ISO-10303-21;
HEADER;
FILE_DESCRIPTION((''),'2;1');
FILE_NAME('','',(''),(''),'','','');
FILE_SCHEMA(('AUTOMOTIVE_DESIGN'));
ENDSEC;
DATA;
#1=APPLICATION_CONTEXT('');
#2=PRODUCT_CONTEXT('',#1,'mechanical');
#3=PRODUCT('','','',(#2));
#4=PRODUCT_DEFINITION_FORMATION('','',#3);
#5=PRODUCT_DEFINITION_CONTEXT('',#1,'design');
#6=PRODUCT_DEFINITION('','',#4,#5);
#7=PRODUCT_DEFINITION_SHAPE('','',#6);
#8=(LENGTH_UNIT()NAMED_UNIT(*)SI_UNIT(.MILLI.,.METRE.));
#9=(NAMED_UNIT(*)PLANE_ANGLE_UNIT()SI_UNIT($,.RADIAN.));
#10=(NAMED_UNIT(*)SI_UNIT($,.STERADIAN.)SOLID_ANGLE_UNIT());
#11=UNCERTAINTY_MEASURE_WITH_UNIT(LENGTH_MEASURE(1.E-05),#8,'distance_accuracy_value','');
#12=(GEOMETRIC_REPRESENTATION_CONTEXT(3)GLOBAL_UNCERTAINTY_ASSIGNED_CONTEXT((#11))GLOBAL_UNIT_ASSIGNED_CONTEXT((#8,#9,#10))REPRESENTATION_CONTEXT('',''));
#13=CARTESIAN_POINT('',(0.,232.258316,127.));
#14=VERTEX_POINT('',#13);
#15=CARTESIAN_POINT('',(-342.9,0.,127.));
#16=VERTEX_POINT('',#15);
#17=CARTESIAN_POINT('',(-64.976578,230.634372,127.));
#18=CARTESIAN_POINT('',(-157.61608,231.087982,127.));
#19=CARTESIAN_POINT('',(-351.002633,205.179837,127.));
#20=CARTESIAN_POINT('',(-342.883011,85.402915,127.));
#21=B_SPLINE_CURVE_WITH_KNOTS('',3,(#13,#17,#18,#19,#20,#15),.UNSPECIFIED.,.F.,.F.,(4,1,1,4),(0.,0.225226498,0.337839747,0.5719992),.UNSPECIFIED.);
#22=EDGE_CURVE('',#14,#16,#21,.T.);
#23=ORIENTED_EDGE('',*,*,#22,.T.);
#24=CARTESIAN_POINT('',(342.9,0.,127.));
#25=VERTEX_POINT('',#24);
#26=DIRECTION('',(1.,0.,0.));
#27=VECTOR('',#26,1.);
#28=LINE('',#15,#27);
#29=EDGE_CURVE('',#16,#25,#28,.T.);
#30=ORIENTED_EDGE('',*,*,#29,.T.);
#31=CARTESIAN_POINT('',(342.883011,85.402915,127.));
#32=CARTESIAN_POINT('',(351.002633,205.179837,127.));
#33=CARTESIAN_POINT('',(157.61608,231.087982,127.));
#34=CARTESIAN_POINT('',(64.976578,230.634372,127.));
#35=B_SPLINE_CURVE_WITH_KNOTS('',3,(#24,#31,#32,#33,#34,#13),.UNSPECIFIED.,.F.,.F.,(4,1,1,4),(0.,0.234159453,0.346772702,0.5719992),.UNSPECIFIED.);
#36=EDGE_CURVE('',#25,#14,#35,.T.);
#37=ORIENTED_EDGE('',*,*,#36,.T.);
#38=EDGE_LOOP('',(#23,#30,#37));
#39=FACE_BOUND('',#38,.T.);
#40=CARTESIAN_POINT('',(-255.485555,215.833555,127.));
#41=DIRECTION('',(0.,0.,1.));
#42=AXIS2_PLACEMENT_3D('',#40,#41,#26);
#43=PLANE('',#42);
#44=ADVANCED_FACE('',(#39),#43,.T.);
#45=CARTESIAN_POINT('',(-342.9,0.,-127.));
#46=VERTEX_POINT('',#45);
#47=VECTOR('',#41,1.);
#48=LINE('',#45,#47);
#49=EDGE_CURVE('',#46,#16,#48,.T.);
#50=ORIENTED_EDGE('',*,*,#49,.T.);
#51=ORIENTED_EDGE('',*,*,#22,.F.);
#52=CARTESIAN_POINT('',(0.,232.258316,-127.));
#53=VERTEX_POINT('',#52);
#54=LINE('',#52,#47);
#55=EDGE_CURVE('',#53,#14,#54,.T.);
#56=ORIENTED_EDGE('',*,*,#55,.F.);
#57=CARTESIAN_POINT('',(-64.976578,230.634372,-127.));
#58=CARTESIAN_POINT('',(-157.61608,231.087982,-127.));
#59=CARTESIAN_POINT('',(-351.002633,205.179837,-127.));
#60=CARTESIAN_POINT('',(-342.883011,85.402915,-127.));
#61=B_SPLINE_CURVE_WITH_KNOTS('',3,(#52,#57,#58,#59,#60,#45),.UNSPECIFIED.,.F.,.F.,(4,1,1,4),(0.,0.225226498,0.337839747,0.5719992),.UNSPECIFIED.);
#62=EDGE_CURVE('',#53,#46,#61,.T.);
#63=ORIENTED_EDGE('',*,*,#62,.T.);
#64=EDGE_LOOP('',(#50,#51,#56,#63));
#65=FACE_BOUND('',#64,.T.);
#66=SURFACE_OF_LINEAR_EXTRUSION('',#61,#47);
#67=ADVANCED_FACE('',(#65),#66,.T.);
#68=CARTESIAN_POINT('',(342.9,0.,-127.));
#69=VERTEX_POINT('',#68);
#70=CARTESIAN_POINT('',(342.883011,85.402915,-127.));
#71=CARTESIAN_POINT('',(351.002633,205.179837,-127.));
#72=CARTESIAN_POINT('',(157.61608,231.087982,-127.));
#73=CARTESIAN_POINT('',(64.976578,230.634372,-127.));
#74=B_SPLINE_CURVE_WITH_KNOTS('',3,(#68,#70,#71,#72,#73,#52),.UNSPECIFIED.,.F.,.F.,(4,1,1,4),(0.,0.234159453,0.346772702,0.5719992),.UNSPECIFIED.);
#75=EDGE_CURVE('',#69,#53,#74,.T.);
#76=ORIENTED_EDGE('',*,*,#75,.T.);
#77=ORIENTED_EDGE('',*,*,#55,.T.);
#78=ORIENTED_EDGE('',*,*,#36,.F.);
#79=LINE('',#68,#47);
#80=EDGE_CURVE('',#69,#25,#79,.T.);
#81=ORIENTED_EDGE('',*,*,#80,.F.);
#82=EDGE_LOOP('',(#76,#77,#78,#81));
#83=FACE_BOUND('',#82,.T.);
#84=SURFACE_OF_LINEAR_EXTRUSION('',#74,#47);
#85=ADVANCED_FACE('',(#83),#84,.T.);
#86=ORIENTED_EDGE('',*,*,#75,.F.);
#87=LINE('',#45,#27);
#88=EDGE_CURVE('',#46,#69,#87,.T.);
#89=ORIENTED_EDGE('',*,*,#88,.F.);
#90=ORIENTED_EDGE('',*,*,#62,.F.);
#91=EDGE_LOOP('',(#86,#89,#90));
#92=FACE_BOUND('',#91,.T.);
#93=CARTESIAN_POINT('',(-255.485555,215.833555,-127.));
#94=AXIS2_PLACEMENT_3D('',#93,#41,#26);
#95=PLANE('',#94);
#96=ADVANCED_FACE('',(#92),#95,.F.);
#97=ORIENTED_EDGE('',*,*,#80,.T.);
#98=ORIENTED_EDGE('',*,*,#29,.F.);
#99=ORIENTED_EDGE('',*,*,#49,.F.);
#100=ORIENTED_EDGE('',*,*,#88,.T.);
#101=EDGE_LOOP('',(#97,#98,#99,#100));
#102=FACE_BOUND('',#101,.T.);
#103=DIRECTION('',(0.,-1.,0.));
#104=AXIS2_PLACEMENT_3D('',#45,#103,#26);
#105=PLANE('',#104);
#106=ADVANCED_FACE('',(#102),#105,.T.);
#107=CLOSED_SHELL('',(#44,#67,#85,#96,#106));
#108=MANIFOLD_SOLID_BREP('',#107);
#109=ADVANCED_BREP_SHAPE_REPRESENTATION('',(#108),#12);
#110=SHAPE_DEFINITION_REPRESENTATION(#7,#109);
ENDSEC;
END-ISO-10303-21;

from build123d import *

# Parameters (mm, degrees)
BOSS_EXTRUDE1_DEPTH      = 127
BOSS_EXTRUDE1_DEPTH_BACK = 127


with BuildPart() as part:
    # Sketch1 → Boss-Extrude1 (new, two sides: drawn at the far end of the back side and taken through both)
    with BuildSketch(Plane.XY.offset(-BOSS_EXTRUDE1_DEPTH_BACK)):
        with BuildLine():
            Line((-342.9, 0), (342.9, 0))
            add(Edge.make_bspline(
                [(0, 232.258315543), (64.976578003, 230.63437227), (157.61608025, 231.087982089), (351.002633094, 205.179836695), (342.883010646, 85.402914772), (342.9, 0)],
                knots=[0, 0, 0, 0, 0.225226498, 0.337839747, 0.5719992, 0.5719992, 0.5719992, 0.5719992], degree=3))
            add(Edge.make_bspline(
                [(0, 232.258315543), (-64.976578003, 230.63437227), (-157.61608025, 231.087982089), (-351.002633094, 205.179836695), (-342.883010646, 85.402914772), (-342.9, 0)],
                knots=[0, 0, 0, 0, 0.225226498, 0.337839747, 0.5719992, 0.5719992, 0.5719992, 0.5719992], degree=3))
        make_face()
    extrude(amount=BOSS_EXTRUDE1_DEPTH + BOSS_EXTRUDE1_DEPTH_BACK)


solid = part.part
